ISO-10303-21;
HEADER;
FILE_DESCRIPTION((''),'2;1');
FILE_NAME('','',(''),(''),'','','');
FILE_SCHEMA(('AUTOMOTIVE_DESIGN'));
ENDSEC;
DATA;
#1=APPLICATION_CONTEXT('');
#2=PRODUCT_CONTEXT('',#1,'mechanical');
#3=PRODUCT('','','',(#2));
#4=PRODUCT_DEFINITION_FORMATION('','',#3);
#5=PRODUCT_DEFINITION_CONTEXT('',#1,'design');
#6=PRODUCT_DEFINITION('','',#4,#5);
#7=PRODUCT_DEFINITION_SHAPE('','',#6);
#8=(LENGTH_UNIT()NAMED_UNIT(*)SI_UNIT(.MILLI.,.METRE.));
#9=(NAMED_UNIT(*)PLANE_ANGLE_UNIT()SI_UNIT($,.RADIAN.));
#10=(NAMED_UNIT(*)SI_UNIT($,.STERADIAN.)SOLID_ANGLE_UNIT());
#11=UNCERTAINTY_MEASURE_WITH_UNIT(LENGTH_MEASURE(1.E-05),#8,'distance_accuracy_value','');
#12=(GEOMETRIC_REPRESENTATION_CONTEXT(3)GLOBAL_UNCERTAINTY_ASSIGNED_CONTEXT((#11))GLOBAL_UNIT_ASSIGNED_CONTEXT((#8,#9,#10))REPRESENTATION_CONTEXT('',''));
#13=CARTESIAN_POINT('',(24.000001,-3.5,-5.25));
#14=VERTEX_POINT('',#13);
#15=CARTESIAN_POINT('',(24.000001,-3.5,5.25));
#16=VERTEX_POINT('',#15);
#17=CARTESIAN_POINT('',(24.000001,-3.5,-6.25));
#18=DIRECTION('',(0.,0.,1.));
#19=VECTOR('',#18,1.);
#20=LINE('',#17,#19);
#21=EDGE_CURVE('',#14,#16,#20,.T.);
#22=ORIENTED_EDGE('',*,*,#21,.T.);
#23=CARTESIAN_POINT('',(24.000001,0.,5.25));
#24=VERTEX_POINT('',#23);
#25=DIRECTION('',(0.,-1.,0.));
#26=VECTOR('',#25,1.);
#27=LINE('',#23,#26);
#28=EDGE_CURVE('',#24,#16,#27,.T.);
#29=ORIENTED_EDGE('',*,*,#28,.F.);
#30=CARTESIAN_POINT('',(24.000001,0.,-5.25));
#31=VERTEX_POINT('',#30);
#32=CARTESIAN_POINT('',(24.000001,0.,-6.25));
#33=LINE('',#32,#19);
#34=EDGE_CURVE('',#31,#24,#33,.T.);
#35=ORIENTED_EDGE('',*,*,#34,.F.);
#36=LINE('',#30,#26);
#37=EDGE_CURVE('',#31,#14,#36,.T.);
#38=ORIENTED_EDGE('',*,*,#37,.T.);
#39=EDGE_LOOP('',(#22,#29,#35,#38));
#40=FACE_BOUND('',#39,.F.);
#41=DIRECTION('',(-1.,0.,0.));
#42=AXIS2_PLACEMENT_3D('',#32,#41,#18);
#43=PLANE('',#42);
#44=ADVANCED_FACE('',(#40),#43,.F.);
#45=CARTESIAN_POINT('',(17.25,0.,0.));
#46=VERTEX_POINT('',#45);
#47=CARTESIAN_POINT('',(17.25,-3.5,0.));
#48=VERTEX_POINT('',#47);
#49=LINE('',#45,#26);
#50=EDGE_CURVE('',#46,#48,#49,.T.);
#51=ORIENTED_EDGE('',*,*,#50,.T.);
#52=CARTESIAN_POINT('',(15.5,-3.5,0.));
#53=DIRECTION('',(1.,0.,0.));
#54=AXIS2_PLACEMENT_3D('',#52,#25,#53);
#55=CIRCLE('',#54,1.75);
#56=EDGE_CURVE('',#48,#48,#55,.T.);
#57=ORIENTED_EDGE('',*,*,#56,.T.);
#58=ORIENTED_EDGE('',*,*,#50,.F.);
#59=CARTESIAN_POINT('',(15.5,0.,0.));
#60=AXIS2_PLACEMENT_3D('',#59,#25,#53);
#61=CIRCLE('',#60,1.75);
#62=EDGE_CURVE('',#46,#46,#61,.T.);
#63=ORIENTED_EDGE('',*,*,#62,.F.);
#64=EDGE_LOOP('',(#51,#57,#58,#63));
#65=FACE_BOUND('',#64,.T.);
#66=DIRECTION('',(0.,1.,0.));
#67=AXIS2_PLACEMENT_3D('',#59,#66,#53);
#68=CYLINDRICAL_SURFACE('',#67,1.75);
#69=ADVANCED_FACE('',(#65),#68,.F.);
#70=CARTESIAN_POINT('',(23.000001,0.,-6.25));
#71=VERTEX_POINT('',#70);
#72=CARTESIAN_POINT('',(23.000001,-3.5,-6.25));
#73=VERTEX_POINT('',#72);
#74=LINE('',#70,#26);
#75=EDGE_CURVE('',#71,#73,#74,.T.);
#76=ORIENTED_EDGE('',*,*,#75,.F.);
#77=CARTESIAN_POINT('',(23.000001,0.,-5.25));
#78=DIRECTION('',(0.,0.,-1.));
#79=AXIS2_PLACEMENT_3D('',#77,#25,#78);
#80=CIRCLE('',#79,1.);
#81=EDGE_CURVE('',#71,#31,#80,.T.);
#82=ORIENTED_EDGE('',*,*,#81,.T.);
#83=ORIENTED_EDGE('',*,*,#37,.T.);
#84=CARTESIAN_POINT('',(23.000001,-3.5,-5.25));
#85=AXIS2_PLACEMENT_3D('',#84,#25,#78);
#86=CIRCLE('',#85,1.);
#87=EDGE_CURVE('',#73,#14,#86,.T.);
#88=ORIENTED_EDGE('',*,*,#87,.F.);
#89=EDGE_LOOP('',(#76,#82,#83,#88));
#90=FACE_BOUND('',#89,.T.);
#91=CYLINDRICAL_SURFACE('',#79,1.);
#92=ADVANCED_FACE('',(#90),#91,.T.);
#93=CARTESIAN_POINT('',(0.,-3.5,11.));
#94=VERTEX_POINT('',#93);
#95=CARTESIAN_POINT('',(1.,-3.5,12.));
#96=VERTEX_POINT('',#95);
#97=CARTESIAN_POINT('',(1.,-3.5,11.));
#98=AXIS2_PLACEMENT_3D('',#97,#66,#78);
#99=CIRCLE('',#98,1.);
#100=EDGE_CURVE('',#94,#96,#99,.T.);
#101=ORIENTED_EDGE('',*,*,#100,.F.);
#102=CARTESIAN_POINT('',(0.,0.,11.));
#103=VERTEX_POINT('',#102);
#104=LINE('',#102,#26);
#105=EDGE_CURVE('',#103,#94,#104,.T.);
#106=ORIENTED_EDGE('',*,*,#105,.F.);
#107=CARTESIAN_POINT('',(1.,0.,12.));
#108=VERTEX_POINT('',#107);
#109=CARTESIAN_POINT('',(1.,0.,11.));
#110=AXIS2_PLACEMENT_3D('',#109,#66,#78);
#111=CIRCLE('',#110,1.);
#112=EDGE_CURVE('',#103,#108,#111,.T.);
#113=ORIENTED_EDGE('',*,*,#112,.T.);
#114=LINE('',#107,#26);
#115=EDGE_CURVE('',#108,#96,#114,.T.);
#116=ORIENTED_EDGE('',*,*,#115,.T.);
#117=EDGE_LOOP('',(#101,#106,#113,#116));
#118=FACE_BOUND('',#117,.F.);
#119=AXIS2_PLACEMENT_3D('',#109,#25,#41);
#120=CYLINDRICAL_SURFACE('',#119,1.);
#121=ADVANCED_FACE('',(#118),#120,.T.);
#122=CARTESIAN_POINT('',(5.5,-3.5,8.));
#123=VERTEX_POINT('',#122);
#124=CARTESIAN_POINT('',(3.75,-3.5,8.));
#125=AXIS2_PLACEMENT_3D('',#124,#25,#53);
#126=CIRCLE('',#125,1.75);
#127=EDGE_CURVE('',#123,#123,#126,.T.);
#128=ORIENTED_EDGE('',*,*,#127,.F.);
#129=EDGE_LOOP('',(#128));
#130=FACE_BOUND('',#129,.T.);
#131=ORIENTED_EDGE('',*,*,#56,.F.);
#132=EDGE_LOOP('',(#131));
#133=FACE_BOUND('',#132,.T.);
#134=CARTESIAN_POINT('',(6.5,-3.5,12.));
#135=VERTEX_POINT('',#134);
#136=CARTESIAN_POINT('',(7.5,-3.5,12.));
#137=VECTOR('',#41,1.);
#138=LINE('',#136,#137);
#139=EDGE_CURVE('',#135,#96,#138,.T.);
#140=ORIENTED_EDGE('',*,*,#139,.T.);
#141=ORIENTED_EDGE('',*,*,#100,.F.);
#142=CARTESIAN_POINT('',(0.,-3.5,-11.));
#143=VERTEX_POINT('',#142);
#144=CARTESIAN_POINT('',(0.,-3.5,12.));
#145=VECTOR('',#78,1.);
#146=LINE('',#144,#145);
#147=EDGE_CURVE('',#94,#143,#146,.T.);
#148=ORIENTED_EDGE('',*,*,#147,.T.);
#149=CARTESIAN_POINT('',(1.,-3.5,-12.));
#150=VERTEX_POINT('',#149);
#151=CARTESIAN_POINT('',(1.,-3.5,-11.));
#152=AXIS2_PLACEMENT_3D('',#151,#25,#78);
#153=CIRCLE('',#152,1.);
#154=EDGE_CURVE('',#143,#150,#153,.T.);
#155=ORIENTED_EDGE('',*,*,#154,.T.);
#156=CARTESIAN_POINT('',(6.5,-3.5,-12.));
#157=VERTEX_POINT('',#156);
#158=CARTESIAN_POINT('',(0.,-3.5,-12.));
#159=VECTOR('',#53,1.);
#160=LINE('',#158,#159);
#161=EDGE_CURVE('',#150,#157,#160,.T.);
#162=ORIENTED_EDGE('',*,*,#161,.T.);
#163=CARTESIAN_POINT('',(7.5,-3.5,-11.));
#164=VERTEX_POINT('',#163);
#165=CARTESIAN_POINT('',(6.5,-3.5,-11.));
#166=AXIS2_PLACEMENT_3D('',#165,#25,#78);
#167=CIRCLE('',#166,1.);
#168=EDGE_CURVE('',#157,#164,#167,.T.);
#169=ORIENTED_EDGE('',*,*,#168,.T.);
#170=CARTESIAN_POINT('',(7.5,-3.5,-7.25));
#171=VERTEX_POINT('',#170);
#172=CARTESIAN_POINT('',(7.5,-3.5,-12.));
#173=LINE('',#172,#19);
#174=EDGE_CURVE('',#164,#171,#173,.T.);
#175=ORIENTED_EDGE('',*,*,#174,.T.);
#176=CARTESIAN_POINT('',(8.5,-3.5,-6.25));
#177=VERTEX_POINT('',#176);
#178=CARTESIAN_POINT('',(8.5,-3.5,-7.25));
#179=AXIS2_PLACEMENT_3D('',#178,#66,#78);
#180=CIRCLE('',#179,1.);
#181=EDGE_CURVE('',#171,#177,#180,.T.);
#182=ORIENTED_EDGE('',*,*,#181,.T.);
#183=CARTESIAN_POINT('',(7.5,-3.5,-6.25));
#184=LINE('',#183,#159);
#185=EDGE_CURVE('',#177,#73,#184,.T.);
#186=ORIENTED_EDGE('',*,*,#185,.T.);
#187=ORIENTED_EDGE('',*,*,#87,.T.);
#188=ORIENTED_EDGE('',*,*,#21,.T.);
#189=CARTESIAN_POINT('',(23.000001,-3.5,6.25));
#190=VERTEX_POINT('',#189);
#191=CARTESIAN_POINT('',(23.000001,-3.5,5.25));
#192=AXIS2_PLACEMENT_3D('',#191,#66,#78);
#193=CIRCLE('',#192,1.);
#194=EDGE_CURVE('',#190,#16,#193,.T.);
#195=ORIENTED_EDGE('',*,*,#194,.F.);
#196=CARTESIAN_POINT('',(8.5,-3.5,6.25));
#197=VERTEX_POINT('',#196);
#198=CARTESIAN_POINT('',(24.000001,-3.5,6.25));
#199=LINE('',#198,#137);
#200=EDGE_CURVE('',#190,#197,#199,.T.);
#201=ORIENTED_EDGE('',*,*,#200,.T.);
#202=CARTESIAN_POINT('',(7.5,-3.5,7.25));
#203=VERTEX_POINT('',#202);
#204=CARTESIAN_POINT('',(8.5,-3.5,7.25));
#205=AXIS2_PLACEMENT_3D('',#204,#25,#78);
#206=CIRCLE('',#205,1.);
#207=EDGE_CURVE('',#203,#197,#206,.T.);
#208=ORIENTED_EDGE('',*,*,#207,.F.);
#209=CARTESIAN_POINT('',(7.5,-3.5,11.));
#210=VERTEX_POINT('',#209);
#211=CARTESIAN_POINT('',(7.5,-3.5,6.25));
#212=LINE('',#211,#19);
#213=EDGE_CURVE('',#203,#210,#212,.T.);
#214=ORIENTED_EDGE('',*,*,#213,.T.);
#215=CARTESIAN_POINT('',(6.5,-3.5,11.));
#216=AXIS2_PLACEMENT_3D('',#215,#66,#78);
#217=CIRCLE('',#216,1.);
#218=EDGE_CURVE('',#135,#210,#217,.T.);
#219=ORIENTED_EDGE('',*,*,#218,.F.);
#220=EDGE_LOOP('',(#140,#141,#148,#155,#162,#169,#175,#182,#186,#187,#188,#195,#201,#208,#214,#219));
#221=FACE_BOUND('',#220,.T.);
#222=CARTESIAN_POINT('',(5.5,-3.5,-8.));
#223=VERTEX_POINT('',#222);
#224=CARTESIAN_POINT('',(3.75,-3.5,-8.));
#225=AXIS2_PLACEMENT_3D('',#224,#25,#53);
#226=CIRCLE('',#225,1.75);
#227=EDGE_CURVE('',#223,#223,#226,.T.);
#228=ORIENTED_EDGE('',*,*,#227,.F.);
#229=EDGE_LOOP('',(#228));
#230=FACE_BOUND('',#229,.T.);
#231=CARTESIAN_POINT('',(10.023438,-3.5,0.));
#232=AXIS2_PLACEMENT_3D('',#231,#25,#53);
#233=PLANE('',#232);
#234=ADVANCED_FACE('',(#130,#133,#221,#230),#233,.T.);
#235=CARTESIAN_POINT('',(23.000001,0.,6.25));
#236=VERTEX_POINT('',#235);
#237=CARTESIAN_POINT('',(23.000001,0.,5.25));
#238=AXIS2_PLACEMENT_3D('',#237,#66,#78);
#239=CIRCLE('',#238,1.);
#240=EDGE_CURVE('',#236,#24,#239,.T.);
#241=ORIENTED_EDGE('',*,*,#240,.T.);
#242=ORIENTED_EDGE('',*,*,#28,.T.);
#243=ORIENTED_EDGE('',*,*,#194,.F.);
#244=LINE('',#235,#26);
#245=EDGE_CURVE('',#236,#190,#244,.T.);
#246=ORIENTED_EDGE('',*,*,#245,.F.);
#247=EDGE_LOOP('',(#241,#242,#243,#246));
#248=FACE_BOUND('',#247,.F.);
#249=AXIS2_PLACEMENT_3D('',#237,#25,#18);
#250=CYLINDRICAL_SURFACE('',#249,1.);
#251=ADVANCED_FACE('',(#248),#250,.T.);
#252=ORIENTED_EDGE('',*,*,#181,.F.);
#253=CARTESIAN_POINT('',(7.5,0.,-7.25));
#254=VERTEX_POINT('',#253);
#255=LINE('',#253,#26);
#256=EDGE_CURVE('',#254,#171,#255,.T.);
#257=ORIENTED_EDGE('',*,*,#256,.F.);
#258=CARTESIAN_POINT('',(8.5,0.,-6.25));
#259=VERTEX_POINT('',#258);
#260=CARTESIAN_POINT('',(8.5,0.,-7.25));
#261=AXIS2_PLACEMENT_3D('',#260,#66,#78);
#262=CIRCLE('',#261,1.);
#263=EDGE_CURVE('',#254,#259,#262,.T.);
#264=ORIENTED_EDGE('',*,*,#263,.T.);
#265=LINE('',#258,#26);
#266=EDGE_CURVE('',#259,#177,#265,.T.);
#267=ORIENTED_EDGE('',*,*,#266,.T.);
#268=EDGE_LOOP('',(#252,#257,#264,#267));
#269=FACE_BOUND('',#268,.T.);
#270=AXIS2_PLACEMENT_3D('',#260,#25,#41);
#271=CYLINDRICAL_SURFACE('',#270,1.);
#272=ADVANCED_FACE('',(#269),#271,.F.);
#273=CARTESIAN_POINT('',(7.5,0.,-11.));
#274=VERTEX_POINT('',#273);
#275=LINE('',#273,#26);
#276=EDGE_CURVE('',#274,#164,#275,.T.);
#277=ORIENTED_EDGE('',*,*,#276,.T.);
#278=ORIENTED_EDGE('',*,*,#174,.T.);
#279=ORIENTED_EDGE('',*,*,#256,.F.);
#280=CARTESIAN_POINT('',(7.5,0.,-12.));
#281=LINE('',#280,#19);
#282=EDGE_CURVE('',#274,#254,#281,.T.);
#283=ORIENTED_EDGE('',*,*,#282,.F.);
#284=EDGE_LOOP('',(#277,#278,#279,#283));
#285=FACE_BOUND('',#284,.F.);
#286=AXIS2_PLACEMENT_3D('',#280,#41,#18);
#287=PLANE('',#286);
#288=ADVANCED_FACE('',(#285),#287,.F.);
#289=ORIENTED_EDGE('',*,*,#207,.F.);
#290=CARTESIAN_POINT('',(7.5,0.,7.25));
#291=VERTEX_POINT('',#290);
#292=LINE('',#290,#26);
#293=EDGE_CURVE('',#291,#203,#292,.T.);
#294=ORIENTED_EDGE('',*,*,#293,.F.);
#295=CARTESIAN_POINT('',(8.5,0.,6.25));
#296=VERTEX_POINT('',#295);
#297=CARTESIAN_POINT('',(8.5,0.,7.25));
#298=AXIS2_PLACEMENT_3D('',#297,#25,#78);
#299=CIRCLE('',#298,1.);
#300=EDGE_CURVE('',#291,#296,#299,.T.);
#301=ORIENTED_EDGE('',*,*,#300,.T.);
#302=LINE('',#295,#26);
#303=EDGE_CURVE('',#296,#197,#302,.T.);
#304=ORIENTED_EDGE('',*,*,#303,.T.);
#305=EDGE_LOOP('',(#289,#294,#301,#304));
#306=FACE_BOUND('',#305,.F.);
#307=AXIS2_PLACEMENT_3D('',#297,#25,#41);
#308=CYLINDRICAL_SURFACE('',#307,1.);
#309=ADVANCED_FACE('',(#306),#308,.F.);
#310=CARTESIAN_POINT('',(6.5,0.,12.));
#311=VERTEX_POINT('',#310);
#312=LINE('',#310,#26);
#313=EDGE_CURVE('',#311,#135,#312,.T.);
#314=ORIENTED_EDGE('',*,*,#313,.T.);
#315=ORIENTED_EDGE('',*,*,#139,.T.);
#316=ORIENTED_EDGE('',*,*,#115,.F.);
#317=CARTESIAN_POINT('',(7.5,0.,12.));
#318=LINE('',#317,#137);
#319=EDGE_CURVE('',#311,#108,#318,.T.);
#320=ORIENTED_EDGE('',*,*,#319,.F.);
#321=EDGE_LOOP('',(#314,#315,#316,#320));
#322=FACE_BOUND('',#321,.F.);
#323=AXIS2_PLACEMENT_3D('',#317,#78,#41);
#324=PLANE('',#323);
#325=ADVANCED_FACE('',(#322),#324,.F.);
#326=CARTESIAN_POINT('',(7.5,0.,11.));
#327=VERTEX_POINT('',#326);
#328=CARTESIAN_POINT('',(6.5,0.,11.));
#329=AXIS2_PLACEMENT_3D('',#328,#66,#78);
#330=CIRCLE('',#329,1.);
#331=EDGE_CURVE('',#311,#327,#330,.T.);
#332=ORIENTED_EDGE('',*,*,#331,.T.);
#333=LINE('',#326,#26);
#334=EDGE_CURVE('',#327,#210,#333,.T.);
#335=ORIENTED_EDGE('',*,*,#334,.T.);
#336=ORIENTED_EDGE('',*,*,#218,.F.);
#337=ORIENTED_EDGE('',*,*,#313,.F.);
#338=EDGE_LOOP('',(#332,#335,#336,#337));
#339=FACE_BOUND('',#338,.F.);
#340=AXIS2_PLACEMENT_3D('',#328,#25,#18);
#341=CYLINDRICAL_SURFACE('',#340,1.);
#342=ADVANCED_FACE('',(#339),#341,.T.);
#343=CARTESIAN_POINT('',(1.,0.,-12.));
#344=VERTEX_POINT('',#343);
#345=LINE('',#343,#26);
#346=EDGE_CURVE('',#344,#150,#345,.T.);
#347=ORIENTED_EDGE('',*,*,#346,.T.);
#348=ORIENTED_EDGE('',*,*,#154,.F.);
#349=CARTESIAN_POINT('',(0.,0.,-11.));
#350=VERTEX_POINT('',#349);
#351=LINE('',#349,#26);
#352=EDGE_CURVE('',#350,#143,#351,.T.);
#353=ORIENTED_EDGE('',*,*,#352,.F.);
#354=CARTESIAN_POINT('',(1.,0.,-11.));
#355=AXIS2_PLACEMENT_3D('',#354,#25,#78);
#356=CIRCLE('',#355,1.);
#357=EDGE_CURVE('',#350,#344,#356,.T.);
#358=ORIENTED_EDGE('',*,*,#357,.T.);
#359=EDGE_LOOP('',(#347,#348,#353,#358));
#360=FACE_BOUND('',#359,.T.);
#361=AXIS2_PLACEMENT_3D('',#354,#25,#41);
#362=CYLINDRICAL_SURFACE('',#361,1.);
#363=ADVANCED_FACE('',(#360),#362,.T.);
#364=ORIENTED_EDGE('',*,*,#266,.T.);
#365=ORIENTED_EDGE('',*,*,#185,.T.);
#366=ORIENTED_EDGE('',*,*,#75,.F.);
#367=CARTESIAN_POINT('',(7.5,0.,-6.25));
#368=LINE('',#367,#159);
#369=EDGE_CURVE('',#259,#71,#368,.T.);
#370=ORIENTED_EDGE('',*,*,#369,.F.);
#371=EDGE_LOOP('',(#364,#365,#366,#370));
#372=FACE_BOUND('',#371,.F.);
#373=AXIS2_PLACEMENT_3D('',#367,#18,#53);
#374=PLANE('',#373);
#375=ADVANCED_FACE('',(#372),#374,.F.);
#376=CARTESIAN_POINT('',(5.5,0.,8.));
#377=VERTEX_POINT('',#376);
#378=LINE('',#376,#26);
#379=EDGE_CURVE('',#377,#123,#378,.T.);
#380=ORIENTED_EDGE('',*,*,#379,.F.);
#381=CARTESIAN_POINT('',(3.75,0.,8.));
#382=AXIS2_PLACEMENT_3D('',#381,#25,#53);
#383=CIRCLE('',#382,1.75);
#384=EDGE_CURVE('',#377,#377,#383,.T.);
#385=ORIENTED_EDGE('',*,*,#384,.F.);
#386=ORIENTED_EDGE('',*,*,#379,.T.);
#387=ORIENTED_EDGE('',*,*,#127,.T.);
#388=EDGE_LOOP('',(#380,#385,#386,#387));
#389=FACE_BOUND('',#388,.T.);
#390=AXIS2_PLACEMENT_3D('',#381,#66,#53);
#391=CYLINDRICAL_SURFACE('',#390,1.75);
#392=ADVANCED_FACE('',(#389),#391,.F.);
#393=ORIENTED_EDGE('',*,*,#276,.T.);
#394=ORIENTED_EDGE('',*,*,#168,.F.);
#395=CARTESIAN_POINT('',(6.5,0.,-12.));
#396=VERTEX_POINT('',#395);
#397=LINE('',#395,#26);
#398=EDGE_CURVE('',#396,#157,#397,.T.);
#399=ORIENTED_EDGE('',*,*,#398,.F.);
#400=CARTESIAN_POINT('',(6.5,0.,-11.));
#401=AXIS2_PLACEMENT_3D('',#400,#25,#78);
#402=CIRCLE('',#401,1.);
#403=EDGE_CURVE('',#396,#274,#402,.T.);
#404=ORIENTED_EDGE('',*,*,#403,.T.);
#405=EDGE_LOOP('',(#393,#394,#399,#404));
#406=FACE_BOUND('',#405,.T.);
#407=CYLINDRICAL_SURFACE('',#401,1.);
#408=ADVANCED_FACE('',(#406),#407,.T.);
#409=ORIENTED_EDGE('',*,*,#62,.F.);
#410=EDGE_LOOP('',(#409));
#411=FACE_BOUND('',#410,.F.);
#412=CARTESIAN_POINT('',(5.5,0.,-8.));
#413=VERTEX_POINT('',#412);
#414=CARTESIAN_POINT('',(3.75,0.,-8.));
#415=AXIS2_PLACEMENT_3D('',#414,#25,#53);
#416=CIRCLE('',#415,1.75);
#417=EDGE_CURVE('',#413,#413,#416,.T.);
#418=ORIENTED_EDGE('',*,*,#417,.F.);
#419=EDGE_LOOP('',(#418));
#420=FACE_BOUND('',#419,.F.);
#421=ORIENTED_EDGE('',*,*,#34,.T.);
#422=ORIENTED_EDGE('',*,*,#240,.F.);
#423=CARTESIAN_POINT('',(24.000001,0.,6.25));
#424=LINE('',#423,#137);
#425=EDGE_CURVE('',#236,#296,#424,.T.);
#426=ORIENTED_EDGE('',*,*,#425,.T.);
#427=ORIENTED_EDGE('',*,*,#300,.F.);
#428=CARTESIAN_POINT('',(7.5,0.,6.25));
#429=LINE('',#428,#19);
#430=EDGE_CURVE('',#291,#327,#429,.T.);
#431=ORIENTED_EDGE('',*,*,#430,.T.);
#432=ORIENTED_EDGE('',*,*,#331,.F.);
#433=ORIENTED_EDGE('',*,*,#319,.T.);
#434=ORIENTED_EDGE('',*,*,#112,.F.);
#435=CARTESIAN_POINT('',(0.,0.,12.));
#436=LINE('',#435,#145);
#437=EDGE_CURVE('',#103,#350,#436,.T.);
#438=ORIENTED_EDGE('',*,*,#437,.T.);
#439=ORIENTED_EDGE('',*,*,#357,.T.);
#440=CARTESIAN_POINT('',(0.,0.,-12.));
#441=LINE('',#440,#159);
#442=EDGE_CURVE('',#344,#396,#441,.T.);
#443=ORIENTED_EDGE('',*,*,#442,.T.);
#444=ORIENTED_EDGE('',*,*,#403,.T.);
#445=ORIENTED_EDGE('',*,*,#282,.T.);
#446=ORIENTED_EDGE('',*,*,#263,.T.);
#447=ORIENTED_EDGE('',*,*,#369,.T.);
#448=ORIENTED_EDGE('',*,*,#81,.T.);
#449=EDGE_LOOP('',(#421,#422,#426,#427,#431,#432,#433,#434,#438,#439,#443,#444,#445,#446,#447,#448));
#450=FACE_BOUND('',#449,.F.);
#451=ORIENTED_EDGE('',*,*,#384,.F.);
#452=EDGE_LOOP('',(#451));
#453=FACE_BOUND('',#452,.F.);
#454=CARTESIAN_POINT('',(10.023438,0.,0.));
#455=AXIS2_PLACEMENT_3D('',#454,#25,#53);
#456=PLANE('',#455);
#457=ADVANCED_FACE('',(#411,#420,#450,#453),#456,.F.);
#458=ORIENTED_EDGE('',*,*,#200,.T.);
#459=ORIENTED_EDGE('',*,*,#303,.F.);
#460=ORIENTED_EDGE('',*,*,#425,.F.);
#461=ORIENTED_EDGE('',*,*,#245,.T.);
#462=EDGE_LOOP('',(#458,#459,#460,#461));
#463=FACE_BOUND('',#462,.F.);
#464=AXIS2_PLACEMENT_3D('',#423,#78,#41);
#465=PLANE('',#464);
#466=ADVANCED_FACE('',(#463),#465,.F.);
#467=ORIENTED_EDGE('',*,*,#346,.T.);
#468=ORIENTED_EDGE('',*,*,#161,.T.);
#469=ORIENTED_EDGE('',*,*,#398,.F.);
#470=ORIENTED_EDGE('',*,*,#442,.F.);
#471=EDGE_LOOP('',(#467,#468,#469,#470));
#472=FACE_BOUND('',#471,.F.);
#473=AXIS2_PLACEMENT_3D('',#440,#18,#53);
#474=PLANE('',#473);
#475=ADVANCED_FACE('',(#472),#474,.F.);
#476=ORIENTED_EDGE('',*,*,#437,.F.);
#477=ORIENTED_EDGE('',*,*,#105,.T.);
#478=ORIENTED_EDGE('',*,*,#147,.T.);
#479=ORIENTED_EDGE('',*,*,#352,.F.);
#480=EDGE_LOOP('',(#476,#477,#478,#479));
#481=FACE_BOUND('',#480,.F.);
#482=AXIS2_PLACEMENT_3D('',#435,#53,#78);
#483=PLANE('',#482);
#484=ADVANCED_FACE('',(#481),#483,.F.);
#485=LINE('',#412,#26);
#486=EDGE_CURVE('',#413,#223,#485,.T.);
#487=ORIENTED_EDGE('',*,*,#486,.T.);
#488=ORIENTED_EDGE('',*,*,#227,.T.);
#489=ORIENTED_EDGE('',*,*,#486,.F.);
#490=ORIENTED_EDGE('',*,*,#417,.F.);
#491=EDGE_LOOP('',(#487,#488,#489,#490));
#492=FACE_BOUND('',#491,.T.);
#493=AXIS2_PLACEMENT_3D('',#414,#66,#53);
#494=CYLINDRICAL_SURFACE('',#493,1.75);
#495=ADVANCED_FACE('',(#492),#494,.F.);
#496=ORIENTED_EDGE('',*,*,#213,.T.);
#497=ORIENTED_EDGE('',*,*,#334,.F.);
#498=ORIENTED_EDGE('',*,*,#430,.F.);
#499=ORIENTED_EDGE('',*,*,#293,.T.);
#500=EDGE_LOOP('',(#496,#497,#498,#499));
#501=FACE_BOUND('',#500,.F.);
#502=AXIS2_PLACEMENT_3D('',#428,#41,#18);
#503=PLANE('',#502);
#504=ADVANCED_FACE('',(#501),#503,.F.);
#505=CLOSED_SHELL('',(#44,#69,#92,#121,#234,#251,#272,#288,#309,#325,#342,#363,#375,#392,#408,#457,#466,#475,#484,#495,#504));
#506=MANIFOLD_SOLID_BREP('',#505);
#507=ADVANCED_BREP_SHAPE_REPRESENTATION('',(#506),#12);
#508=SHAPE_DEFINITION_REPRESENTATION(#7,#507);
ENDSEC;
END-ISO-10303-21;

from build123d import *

# Parameters (mm, degrees)
F0_R     = 1.75
F1_DEPTH = 3.5
F2_R     = 1


with BuildPart() as f1:
    # F0 (on Front) → F1 (new body)
    with BuildSketch(Plane.XZ):
        Polygon((0, 12), (0, 0), (0, -12), (7.5, -12), (7.5, -6.25), (24.000001, -6.25), (24.000001, 6.25), (7.5, 6.25), (7.5, 12), align=None)
        with Locations((3.75, -8)):
            Circle(F0_R, mode=Mode.SUBTRACT)
        with Locations((3.75, 8)):
            Circle(F0_R, mode=Mode.SUBTRACT)
        with Locations((15.5, 0)):
            Circle(F0_R, mode=Mode.SUBTRACT)
    extrude(amount=F1_DEPTH)

    # F2
    f2_edges = [f1.edges().sort_by_distance(p)[0] for p in [
        (7.5, -1.75, -12),
        (24.000001, -1.75, -6.25),
        (0, -1.75, -12),
        (24.000001, -1.75, 6.25),
        (7.5, -1.75, 12),
        (7.5, -1.75, 6.25),
        (0, -1.75, 12),
        (7.5, -1.75, -6.25),
    ]]
    fillet(f2_edges, radius=F2_R)


solid = f1.part
